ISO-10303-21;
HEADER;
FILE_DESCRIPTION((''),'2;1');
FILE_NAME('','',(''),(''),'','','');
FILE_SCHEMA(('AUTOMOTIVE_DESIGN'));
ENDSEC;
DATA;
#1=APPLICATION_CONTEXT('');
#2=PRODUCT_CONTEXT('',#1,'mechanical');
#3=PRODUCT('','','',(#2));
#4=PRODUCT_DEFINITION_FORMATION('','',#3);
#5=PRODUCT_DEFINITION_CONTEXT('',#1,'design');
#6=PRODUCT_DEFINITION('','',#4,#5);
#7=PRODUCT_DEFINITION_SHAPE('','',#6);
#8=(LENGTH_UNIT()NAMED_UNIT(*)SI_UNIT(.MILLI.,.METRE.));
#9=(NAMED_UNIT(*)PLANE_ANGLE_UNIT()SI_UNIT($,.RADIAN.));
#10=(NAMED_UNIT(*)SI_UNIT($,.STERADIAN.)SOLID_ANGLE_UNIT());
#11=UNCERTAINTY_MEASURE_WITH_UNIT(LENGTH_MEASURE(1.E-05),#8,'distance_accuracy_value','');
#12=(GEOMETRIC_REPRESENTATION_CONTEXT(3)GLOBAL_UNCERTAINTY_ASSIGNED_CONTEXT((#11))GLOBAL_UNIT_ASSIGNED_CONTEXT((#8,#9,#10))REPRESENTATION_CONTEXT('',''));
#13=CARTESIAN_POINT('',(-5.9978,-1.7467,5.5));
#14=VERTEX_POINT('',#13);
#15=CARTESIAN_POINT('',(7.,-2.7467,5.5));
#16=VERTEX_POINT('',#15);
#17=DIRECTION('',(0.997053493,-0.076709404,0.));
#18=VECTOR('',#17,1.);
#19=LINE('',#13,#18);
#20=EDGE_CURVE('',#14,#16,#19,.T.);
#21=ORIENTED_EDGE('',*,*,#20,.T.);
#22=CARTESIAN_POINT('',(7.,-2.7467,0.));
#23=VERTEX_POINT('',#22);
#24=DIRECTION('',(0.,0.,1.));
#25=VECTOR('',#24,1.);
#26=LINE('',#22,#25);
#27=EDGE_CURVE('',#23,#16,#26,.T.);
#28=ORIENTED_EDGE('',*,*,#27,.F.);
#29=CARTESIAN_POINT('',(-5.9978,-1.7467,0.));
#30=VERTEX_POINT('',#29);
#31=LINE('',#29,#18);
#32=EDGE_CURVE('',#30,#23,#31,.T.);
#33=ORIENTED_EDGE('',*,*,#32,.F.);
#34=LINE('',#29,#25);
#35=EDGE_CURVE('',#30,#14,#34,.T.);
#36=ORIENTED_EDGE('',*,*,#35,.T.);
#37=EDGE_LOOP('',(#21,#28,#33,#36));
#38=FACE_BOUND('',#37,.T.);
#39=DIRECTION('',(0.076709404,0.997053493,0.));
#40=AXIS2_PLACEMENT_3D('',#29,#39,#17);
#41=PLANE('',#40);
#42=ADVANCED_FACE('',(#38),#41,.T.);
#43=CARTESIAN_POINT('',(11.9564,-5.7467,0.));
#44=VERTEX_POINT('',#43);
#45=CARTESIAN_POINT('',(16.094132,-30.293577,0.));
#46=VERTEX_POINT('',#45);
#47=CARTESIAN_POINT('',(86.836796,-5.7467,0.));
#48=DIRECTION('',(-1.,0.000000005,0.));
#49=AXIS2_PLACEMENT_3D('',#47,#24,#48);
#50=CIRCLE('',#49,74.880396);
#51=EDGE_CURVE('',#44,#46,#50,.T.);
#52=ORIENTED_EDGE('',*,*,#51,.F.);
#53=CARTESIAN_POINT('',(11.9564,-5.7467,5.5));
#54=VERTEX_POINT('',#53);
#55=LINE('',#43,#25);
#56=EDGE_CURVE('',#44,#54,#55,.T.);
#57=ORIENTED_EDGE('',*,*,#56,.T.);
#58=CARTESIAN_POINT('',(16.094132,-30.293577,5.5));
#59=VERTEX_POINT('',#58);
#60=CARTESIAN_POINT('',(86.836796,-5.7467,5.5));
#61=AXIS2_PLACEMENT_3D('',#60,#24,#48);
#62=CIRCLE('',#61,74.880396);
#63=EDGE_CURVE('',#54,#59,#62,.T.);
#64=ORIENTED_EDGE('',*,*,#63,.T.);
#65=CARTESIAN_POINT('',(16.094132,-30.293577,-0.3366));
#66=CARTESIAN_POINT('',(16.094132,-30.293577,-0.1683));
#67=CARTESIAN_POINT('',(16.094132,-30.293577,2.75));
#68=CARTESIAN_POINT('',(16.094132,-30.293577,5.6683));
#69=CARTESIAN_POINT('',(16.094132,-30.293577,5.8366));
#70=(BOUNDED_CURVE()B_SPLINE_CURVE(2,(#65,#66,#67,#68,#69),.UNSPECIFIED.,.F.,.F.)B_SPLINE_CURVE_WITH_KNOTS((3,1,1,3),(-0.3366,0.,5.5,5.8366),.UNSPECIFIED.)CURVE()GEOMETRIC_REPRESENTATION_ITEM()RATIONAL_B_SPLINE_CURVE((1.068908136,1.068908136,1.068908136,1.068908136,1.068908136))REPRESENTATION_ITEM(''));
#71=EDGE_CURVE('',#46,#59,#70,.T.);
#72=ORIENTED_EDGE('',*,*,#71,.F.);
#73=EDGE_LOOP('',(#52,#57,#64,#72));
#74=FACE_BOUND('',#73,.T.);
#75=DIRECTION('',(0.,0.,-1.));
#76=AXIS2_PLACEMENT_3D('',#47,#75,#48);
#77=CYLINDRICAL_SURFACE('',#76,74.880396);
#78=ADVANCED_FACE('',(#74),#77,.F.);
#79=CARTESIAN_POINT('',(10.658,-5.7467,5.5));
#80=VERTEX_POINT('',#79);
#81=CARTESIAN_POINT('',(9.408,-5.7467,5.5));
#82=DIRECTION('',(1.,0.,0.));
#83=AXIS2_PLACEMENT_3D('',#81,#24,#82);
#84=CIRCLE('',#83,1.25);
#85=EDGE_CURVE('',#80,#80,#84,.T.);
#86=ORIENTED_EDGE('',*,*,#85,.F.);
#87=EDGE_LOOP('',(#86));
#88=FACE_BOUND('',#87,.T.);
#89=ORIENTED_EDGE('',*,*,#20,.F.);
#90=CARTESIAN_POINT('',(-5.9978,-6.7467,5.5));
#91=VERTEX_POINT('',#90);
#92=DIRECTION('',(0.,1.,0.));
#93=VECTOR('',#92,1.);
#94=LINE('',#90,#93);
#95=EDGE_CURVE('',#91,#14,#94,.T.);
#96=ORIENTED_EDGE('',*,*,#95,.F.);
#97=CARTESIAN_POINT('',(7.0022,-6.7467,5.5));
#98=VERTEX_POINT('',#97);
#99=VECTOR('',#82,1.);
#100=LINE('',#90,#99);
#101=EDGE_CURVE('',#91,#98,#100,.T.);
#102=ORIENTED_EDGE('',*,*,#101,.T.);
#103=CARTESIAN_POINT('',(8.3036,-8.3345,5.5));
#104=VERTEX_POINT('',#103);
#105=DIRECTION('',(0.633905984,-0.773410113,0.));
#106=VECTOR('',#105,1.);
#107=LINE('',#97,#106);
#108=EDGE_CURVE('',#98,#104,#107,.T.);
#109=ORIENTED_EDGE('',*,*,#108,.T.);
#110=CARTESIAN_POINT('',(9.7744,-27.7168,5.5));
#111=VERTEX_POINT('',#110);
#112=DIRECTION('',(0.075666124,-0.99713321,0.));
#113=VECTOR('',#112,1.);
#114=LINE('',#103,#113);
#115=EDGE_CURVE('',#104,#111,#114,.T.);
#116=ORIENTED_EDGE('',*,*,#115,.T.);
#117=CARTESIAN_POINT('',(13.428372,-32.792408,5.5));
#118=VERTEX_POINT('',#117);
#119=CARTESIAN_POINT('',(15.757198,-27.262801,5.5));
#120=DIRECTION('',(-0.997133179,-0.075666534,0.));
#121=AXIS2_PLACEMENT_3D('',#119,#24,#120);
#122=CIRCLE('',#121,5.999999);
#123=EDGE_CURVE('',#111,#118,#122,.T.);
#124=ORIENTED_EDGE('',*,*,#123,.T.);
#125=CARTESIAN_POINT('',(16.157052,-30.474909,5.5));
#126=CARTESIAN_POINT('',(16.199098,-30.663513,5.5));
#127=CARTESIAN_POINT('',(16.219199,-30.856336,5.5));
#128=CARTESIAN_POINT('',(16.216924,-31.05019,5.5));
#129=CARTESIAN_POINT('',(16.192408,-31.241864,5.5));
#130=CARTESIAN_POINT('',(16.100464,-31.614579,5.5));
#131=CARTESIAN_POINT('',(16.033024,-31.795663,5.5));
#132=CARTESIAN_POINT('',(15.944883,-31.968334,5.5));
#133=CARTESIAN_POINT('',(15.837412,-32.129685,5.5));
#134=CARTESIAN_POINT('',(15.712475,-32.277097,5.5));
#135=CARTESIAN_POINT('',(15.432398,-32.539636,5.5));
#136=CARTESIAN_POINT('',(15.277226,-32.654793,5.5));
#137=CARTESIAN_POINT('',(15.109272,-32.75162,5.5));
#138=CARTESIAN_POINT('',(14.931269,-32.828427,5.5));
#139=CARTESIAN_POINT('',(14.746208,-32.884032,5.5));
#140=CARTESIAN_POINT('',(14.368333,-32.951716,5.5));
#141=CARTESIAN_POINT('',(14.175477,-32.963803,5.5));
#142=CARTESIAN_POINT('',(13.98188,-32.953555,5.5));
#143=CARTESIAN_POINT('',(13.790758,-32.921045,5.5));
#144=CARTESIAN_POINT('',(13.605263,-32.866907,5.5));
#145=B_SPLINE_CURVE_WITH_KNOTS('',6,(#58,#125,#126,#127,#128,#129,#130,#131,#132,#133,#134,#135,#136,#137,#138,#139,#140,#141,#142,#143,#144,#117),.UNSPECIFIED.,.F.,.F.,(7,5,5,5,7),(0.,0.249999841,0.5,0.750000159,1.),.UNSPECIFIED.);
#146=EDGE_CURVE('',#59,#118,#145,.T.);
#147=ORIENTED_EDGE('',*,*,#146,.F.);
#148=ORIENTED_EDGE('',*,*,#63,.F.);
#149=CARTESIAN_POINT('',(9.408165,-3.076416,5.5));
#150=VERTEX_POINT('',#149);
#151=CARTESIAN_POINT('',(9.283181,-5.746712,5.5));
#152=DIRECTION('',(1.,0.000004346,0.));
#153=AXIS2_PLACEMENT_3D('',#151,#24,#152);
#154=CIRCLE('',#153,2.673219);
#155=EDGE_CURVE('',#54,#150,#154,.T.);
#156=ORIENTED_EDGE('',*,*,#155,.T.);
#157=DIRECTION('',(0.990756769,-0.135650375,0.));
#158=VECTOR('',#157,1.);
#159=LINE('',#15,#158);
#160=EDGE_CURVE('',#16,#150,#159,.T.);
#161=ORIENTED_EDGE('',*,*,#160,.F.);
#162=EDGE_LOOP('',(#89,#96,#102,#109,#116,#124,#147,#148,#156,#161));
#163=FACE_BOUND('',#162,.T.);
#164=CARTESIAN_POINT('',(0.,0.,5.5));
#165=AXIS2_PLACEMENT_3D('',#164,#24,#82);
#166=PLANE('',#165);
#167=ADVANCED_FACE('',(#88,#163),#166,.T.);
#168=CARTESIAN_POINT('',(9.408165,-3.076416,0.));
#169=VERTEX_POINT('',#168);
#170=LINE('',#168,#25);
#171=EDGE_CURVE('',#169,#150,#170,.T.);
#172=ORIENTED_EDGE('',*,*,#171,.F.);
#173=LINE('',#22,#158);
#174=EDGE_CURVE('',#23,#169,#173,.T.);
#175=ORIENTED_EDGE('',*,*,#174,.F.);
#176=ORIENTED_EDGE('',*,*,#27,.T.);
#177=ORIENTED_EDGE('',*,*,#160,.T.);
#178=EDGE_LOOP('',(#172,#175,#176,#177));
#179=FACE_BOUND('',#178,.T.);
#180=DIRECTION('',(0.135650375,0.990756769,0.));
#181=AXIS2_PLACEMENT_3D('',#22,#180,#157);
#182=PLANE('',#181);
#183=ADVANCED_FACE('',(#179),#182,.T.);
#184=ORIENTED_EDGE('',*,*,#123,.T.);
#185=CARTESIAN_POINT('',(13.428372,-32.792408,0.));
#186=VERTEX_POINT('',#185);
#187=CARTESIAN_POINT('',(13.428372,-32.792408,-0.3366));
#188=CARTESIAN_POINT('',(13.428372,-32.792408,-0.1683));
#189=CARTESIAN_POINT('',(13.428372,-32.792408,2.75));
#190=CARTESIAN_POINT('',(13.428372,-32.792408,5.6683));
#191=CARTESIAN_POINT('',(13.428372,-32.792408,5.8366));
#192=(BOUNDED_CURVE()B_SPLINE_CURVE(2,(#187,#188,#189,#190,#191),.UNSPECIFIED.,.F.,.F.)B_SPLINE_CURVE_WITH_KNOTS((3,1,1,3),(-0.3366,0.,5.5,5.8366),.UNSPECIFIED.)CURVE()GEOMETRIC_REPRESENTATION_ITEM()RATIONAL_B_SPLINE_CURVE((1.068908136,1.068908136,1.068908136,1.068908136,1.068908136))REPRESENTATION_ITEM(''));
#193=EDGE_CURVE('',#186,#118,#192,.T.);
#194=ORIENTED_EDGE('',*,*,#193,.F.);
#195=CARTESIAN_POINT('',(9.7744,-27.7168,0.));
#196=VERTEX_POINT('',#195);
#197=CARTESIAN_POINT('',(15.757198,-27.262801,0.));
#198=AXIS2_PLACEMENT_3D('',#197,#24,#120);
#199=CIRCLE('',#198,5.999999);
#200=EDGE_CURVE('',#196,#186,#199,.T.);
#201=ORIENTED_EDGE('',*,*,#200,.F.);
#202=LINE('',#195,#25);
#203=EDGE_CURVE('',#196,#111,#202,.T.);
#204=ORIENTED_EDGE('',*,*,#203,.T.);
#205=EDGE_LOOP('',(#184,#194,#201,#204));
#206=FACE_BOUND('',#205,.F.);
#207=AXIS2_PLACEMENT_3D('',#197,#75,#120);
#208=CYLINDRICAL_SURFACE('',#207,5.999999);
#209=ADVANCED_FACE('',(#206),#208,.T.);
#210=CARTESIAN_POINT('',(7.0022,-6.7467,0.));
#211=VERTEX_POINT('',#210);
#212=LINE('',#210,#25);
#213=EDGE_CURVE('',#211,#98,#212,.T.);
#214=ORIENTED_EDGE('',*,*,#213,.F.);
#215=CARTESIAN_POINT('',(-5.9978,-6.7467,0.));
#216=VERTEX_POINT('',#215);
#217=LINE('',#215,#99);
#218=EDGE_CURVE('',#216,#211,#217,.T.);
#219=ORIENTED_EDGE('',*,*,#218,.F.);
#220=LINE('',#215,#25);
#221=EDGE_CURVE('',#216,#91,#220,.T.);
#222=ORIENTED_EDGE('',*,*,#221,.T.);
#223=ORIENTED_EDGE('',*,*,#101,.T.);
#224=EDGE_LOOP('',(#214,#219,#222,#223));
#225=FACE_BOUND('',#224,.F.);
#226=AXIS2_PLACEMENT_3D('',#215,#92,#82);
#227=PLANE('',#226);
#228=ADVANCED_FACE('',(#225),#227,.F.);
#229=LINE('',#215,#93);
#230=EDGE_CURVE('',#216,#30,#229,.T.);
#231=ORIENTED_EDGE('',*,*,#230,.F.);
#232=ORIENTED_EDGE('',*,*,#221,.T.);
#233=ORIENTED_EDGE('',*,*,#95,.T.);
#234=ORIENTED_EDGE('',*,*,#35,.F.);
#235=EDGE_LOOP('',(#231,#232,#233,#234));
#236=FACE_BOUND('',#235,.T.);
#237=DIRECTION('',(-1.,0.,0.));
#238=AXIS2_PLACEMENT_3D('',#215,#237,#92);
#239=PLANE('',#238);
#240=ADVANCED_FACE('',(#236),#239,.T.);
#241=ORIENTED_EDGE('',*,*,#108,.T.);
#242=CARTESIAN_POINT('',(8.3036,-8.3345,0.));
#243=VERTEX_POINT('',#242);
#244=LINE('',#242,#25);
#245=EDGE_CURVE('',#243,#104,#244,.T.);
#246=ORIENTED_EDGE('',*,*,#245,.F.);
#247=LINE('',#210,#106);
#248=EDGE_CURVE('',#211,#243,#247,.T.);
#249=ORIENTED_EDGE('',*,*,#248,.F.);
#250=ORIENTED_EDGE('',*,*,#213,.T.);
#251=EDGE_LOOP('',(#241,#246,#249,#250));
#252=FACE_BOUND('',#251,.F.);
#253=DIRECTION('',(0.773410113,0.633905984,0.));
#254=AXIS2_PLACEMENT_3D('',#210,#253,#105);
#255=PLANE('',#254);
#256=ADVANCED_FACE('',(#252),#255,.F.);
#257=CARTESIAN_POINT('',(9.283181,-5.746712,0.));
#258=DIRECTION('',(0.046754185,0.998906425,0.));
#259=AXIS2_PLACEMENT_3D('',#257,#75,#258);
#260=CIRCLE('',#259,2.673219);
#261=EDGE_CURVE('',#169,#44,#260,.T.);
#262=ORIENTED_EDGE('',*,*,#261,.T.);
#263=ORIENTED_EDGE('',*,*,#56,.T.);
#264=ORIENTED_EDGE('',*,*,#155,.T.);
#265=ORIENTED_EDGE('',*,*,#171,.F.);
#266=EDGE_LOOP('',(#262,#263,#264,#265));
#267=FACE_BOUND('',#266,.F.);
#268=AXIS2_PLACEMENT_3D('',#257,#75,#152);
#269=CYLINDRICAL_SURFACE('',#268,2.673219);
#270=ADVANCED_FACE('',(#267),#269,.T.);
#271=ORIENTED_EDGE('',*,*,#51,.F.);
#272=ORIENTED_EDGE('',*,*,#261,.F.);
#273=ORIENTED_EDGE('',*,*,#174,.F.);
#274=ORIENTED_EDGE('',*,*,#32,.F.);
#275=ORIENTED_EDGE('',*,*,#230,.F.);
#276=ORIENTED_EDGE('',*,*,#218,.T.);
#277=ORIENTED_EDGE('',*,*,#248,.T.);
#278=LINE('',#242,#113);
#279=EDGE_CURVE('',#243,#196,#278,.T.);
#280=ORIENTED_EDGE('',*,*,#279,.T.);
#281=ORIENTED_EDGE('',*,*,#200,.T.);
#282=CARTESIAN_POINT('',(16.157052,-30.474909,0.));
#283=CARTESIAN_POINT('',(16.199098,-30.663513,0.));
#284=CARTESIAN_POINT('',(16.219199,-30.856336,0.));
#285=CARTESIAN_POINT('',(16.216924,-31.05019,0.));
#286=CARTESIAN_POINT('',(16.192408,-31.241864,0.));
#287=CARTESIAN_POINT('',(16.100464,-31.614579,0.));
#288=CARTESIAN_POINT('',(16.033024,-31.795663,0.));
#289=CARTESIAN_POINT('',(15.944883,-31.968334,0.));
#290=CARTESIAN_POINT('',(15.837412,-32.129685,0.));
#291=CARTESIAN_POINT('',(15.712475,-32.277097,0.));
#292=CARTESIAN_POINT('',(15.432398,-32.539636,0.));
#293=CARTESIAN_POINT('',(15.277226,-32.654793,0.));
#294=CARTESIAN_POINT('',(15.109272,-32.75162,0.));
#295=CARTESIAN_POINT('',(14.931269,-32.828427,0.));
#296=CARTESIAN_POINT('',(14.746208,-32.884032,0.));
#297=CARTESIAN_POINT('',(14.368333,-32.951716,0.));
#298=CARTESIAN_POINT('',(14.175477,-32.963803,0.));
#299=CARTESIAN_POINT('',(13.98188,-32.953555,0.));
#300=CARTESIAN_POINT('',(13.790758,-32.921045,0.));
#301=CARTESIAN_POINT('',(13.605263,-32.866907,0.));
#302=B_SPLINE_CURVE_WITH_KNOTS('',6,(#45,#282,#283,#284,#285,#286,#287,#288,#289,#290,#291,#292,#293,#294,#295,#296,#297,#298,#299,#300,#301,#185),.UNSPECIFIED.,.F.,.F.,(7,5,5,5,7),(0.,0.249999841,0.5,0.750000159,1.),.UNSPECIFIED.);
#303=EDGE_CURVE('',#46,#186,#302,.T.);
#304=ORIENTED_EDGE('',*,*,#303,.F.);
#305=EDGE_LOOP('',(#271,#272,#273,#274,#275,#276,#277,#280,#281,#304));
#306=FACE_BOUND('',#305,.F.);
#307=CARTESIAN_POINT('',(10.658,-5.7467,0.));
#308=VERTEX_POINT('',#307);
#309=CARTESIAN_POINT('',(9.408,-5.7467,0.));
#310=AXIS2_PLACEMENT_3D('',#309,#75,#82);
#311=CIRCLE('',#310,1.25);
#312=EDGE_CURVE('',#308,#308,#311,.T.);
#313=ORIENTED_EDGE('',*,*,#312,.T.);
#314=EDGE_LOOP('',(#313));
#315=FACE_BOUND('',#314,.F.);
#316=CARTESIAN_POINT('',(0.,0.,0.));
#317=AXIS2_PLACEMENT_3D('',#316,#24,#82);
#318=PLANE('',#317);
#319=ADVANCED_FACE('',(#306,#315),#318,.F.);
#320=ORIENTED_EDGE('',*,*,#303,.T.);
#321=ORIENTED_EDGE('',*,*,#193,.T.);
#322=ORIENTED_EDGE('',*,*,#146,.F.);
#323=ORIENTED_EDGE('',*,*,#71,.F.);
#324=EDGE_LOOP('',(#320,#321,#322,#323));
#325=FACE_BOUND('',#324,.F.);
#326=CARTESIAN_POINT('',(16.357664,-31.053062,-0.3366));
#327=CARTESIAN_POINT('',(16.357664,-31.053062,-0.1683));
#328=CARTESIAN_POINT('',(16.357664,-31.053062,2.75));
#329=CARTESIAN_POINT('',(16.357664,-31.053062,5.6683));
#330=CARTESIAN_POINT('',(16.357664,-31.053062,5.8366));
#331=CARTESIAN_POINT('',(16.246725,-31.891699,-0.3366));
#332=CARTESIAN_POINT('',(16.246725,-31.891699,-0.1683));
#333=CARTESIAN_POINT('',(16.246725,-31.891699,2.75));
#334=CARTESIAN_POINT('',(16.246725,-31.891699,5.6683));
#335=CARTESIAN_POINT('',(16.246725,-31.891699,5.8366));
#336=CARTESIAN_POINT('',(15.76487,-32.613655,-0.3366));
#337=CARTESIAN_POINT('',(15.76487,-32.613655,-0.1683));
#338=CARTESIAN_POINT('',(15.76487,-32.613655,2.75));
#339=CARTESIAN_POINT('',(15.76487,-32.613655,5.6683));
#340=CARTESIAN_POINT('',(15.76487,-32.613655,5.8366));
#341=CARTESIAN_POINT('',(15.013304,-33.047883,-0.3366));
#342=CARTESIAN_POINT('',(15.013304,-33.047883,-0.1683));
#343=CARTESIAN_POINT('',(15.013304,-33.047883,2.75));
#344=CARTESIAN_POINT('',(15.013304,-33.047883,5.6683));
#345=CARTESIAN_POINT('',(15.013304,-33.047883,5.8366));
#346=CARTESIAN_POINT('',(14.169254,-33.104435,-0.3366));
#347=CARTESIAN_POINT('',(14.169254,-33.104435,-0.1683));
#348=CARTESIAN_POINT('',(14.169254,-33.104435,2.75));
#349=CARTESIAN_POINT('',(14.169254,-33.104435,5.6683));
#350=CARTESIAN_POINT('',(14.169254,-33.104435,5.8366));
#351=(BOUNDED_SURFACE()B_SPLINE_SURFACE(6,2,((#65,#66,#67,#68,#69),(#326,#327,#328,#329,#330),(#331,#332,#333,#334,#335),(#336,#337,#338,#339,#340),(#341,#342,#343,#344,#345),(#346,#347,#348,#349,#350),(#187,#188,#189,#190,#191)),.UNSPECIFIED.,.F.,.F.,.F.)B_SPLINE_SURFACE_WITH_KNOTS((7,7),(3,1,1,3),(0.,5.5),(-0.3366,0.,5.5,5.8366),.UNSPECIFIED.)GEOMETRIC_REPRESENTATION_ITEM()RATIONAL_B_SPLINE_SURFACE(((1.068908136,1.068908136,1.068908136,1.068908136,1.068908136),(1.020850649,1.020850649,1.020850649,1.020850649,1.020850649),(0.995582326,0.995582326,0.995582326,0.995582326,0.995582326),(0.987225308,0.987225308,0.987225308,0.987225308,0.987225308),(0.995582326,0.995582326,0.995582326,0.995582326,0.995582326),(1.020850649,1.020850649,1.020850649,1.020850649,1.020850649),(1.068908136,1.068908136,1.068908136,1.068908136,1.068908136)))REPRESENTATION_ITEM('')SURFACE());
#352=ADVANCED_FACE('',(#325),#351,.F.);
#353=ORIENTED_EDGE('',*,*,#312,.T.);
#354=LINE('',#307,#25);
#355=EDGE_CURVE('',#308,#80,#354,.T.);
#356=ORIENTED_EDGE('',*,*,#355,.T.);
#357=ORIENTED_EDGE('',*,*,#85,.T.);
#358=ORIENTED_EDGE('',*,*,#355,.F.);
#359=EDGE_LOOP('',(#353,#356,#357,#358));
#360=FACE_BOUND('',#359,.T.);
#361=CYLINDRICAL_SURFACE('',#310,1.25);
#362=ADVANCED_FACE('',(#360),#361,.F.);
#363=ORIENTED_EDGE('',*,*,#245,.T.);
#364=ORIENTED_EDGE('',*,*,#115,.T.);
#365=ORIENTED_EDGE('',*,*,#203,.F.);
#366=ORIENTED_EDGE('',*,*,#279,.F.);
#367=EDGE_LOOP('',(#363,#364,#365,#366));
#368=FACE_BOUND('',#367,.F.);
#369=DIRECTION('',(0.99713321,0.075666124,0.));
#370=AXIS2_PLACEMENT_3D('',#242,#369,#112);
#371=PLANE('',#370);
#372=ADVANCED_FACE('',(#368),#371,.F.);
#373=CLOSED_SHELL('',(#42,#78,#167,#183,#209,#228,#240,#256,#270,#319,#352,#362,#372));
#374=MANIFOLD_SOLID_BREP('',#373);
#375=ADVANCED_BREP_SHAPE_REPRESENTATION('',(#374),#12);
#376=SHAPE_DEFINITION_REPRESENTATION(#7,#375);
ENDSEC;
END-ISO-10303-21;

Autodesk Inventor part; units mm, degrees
ref_plane "YZ Plane" through (0, 0, 0) normal (1, 0, 0) x (0, 1, 0)
ref_plane "XZ Plane" through (0, 0, 0) normal (0, 1, 0) x (-1, 0, 0)
ref_plane "XY Plane" through (0, 0, 0) normal (0, 0, 1) x (1, 0, 0)
sketch "Эскиз3" plane through (0, 0, 0) normal (0, 0, 1) x (1, 0, 0)
  line L0 (0, 0) -> (0, -2.7467) construction
  line L1 (0, -2.7467) -> (11.9564, -2.7467) construction
  line L2 (11.9564, -2.7467) -> (9.408, -2.7467) construction
  line L3 (9.408, -2.7467) -> (9.408, -5.7467) construction
  line L4 (9.408, -5.7467) -> (11.9564, -5.7467) construction
  line L5 (11.9564, -5.7467) -> (11.9564, -2.7467) construction
  line L6 (0, -2.7467) -> (-5, -2.7467) construction
  circle A0 centre (9.408, -5.7467) radius 1.25
  circle A1 centre (9.408, -5.7467) radius 1.75
  line L7 (7, -2.7467) -> (8.3014, -4.391)
  line L8 (11.158, -5.7467) -> (11.9564, -5.7467)
  line L9 (7.0022, -6.7467) -> (8.3036, -8.3345)
  line L10 (8.3036, -8.3345) -> (9.7744, -27.7168)
  line L11 (15.7572, -33.2628) -> (17.1953, -33.2628)
  arc A2 (11.9564, -5.7467) -> (17.1953, -33.2628) centre (86.8368, -5.7467) ccw
  line L12 (-5.9978, -6.7467) -> (7.0022, -6.7467)
  arc A3 (9.7744, -27.7168) -> (15.7572, -33.2628) centre (15.7572, -27.2628) ccw
  line L13 (-5.9978, -6.7467) -> (-5.9978, -1.7467)
  line L14 (-5.9978, -1.7467) -> (7, -2.7467)
  line L15 (8.6118, -4.7831) -> (7.6809, -3.6069)
  line L16 (10.658, -5.7467) -> (11.9564, -5.7467)
  arc A4 (11.9564, -5.7467) -> (7.6809, -3.6069) centre (9.2832, -5.7467) ccw
  line L17 (7, -2.7467) -> (9.8806, -3.1411)
  point P0 (10.1953, -33.2628)
  point P1 (-5, -0.7467)
  point P2 (9.4081, -3.0764)
  dimension "d21" = 2.5
  dimension "d22" = 3.5
  dimension "d24" = 25
  dimension "d25" = 145
  dimension "d26" = 7
  dimension "d29" = 6
  dimension "d31" = 5
  dimension "d34" = 1.5
extrude "Выдавливание1" add sketch "Эскиз3" along normal blind 5.5 contours L16 A1 L15 A0 | A0 L15 A1 L16 | L8 A2 L11 A3 L10 L9 L12 L13 L14 L7 A1 | A1 L7 A4 L17 L8 | L7 L17 A4 | L17 A4
fillet "Сопряжение1" radius 2 1 edges at (17.1953, -33.2628, 2.75)
properties part number "end_cap"
